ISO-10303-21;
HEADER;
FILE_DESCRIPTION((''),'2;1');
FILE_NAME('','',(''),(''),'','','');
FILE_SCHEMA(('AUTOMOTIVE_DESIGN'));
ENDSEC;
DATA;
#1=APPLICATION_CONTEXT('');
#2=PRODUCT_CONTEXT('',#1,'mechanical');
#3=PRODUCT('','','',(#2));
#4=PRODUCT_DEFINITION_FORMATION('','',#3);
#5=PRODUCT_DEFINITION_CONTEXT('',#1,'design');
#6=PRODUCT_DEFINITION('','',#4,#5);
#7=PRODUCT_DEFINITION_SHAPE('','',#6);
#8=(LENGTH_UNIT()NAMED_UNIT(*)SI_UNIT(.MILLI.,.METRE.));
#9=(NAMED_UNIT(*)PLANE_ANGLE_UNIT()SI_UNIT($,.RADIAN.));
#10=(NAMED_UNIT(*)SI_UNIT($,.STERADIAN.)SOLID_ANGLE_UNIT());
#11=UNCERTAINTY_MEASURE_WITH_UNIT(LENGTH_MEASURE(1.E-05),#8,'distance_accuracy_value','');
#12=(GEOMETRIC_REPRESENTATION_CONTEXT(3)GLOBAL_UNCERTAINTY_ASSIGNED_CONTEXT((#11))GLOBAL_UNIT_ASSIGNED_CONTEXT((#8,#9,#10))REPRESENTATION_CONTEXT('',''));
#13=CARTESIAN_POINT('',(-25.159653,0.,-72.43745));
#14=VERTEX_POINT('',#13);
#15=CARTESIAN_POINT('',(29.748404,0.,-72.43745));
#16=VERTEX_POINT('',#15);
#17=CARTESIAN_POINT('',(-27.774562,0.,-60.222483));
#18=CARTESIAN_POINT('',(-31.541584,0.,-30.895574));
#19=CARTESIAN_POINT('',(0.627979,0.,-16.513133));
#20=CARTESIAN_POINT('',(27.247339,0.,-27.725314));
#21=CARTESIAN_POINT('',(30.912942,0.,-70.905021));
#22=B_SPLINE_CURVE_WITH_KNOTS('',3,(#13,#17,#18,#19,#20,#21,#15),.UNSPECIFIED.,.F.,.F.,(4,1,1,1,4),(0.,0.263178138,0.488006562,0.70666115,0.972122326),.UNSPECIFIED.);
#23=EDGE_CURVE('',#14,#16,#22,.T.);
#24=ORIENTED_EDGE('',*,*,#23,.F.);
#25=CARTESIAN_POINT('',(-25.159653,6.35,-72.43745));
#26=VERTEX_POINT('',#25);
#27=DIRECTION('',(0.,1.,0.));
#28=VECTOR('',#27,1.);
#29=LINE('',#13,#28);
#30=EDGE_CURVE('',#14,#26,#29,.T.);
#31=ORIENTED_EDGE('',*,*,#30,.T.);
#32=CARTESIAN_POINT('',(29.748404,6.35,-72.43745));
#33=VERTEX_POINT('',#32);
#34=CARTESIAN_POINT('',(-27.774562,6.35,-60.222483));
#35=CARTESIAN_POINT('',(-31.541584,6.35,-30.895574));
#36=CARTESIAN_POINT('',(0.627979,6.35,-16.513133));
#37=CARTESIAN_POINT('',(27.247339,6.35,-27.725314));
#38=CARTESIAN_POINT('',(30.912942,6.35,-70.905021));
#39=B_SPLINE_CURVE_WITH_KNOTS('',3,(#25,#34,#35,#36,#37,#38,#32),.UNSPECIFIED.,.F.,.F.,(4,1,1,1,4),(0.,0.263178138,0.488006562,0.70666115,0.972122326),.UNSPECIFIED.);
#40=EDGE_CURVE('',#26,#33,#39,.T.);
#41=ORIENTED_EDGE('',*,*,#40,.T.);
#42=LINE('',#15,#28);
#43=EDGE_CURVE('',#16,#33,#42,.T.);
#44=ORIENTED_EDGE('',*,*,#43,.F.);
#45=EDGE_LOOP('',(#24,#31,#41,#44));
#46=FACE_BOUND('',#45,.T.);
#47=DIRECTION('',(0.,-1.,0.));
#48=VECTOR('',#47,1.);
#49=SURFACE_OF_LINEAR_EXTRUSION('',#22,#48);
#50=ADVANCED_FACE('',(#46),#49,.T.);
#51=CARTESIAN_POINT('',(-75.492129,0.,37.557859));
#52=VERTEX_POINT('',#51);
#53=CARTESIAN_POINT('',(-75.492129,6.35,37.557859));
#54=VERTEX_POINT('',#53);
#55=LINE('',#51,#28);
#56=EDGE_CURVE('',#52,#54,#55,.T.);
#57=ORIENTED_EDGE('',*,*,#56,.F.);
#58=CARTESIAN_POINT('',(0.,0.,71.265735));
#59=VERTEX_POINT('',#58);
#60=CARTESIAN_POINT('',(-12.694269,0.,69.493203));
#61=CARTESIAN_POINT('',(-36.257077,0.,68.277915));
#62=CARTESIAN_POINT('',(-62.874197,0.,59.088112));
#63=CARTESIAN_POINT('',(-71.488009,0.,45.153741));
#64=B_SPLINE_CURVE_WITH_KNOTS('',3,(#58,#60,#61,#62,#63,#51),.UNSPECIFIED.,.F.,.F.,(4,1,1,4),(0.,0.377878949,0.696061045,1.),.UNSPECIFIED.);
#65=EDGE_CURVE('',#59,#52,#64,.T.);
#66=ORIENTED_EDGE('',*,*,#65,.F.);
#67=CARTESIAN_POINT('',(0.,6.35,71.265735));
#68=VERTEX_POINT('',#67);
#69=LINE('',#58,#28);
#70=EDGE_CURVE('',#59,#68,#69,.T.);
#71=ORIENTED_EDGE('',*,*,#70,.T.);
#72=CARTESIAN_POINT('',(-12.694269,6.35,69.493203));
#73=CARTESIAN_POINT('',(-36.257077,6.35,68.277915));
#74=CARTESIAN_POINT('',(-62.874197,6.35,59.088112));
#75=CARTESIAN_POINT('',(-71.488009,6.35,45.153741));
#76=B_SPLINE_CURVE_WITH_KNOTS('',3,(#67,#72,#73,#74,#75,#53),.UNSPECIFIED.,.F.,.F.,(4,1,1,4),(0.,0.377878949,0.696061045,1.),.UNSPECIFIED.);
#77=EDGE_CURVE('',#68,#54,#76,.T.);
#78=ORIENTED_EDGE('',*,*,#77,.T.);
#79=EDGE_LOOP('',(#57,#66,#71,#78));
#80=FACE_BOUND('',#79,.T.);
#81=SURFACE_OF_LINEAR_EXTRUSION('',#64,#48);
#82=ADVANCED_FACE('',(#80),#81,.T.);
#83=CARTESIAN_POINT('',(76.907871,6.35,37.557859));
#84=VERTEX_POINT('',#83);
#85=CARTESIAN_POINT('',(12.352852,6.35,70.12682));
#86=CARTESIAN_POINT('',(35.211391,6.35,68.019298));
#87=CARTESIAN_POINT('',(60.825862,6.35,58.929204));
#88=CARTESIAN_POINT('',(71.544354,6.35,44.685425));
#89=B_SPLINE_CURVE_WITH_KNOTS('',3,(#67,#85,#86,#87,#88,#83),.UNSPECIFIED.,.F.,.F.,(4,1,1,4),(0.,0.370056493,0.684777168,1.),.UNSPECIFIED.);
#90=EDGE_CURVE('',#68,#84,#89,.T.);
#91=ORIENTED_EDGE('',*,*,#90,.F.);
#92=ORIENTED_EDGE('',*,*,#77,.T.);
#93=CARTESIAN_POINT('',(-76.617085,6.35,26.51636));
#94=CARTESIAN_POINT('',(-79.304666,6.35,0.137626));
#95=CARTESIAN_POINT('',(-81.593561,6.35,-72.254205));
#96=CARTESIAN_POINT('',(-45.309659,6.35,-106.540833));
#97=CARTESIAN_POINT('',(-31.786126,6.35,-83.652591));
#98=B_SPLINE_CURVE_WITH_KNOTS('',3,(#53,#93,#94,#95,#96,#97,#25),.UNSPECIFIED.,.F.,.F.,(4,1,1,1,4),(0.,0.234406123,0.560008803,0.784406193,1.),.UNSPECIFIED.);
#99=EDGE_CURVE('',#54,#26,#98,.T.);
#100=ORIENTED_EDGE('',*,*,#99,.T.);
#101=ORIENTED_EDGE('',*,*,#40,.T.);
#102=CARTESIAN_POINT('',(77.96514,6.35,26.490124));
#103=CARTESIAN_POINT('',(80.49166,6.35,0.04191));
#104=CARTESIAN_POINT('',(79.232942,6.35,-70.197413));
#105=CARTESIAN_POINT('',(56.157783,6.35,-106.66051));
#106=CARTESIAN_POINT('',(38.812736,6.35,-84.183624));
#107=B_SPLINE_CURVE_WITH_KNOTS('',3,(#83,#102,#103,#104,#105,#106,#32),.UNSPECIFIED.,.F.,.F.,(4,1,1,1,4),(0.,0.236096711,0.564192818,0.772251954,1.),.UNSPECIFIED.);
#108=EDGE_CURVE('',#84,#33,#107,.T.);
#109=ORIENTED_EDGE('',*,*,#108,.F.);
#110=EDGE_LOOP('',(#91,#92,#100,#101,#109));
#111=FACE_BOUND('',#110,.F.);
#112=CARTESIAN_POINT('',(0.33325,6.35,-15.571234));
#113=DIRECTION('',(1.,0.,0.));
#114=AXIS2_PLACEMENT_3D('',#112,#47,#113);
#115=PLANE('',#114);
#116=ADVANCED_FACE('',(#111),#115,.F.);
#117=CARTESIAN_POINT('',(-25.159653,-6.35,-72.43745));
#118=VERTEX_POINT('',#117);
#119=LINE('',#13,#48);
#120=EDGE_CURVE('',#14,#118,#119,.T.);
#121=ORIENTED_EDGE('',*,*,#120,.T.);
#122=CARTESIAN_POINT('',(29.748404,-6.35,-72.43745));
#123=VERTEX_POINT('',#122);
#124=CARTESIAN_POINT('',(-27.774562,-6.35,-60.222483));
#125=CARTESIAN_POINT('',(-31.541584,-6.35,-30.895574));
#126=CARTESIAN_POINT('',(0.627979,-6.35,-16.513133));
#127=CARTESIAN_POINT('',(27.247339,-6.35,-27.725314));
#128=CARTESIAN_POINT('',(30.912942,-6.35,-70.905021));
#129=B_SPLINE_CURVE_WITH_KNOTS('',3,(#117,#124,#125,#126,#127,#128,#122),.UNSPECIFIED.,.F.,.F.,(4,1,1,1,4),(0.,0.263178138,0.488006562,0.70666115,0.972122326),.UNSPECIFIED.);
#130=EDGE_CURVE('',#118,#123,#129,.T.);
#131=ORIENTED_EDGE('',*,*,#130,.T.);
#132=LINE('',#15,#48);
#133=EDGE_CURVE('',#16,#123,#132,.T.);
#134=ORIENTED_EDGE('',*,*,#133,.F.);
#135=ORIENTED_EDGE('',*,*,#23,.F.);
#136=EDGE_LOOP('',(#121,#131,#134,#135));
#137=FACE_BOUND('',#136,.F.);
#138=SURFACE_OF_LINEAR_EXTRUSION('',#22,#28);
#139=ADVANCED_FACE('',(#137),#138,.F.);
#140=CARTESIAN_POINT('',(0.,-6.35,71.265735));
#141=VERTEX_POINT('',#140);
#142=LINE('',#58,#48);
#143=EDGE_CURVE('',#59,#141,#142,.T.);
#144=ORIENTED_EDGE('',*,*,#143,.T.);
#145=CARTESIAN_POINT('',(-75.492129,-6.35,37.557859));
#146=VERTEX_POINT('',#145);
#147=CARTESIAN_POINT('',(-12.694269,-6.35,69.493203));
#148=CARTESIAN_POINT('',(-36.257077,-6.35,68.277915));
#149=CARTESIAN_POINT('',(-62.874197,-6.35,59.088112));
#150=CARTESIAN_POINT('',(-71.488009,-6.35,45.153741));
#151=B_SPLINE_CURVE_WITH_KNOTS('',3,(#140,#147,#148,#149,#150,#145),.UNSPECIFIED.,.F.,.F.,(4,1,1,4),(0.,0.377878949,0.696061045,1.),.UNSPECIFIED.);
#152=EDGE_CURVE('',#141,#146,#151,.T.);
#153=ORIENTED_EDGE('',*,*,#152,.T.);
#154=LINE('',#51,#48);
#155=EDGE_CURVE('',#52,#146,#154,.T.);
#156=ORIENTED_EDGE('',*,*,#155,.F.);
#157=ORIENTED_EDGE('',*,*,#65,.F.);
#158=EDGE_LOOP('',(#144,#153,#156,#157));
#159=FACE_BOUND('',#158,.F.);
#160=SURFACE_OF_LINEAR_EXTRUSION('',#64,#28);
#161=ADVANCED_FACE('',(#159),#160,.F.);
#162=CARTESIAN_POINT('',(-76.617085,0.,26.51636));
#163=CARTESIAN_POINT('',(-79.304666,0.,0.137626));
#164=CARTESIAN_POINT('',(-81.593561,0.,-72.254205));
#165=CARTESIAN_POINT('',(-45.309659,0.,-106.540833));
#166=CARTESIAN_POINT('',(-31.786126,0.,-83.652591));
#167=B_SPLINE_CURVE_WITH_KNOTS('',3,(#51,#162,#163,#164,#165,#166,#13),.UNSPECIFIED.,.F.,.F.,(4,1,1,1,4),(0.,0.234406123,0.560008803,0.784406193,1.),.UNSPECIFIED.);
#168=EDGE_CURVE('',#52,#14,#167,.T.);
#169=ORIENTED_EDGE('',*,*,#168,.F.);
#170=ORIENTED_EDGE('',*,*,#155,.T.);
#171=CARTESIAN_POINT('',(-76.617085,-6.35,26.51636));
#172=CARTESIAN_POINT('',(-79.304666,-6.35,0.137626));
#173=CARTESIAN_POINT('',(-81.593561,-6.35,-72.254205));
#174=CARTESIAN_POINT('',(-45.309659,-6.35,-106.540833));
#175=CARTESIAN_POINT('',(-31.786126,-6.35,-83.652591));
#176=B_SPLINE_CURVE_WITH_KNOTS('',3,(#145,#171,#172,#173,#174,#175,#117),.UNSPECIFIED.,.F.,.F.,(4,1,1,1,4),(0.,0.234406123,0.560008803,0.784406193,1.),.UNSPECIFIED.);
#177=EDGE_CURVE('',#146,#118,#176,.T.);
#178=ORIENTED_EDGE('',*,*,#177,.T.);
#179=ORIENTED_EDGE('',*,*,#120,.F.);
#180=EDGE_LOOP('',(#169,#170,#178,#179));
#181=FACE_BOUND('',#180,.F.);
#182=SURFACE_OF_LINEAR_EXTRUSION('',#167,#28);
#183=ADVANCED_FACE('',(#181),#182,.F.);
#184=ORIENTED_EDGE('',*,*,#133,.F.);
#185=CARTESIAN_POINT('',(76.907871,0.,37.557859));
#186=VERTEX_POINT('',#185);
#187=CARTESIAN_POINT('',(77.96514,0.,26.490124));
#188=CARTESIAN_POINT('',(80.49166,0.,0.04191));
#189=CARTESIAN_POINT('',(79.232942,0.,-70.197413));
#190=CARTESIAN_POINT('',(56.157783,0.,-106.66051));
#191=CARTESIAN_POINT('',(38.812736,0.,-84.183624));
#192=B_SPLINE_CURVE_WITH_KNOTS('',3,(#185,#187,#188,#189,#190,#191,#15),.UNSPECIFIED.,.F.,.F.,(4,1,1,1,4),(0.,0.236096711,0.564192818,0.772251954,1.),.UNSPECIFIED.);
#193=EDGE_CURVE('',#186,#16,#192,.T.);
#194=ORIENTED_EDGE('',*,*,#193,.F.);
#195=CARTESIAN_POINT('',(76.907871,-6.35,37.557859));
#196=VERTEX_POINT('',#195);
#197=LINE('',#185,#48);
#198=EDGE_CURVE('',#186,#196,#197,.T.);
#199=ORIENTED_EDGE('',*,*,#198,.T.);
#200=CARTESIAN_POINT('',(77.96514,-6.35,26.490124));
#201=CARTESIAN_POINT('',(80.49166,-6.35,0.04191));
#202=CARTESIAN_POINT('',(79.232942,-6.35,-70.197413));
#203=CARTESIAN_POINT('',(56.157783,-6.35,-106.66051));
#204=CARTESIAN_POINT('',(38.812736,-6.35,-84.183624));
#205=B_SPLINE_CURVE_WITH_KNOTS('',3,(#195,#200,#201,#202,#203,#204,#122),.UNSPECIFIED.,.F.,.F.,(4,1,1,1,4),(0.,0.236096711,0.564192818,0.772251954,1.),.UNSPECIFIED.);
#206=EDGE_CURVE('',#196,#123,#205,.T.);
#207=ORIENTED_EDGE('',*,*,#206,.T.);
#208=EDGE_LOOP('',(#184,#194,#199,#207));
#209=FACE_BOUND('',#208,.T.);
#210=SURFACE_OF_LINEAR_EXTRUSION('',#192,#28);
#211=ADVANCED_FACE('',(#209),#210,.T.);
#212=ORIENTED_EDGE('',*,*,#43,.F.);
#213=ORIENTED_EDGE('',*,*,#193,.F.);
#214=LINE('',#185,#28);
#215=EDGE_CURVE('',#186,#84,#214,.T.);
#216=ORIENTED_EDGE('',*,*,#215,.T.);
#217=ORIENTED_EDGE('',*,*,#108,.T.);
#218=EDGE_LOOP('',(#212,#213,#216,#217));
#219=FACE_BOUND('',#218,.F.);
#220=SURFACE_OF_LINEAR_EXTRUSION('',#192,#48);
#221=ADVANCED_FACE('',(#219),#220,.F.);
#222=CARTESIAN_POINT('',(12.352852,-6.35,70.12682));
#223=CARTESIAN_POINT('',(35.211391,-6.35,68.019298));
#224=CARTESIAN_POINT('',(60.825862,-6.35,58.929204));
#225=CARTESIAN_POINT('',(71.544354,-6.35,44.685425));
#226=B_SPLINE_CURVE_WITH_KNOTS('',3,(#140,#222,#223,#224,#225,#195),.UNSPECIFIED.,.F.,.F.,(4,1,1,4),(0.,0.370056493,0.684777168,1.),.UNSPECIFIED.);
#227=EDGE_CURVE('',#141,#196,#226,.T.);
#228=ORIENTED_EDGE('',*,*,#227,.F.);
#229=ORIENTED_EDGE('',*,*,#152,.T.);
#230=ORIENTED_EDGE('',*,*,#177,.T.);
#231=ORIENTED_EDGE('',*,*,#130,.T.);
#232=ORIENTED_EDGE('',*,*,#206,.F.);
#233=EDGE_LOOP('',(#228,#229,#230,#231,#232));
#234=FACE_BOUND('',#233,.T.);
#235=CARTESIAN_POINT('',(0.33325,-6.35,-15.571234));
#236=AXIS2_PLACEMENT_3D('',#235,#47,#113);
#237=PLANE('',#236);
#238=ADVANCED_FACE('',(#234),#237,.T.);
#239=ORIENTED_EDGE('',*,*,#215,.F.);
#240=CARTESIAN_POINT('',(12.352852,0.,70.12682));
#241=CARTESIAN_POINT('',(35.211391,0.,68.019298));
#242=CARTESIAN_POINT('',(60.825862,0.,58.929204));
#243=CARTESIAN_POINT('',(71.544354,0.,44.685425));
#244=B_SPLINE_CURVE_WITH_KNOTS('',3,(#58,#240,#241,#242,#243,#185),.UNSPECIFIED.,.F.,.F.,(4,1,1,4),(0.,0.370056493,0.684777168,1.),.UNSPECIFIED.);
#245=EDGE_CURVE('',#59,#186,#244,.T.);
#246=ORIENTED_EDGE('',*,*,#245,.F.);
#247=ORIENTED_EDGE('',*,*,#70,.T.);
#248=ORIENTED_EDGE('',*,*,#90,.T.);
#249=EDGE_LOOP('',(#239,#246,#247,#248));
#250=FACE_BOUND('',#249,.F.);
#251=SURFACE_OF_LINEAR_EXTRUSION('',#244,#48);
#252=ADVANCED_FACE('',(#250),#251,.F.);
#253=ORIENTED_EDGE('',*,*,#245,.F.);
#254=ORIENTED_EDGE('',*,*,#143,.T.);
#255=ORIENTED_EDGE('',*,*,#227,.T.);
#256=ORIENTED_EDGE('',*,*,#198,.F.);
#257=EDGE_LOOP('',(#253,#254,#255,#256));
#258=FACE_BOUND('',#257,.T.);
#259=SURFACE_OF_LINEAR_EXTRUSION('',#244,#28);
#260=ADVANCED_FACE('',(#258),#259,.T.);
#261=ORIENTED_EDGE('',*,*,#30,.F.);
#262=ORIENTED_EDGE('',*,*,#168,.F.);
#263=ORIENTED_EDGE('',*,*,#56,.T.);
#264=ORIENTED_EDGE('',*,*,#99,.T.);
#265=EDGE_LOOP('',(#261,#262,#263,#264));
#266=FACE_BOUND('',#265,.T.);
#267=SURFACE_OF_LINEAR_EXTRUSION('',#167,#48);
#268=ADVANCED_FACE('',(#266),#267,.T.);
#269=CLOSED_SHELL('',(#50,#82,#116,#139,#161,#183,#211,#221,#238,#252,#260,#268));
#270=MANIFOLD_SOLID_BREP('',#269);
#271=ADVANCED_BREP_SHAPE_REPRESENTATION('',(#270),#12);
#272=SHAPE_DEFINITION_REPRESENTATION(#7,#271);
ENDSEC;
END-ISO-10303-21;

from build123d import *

# Parameters (mm, degrees)
F1_DEPTH = 6.35


with BuildPart() as f1:
    # F0 (on Front) → F1 (new body, symmetric)
    with BuildSketch(Plane.XZ):
        with BuildLine():
            add(Edge.make_bspline(
                [(-75.4921287298, 37.5578589737), (-76.6170850867, 26.516359751), (-79.3046661768, 0.1376257352), (-81.593561187, -72.25420499), (-45.3096589694, -106.5408329997), (-31.7861264568, -83.652591086), (-25.1596532762, -72.4374502897)],
                knots=[0, 0, 0, 0, 0.2344061229, 0.5600088033, 0.7844061926, 1, 1, 1, 1], degree=3))
            add(Edge.make_bspline(
                [(-25.1596532762, -72.4374502897), (-27.77456204, -60.2224833855), (-31.541583875, -30.8955744763), (0.6279793592, -16.5131330508), (27.2473390153, -27.7253136549), (30.9129416013, -70.9050207805), (29.7484043986, -72.4374502897)],
                knots=[0, 0, 0, 0, 0.2631781381, 0.4880065616, 0.7066611501, 0.9721223261, 0.9721223261, 0.9721223261, 0.9721223261], degree=3))
            add(Edge.make_bspline(
                [(76.9078712702, 37.5578589737), (77.9651395469, 26.49012432), (80.4916599964, 0.041910043), (79.2329421017, -70.1974133528), (56.1577827004, -106.6605096403), (38.8127355164, -84.1836238753), (29.7484043986, -72.4374502897)],
                knots=[0, 0, 0, 0, 0.2360967112, 0.5641928183, 0.7722519543, 1, 1, 1, 1], degree=3))
            add(Edge.make_bspline(
                [(0, 71.2657347322), (12.3528519136, 70.1268204318), (35.2113913621, 68.0192975987), (60.8258622585, 58.9292038504), (71.5443535326, 44.685425389), (76.9078712702, 37.5578589737)],
                knots=[0, 0, 0, 0, 0.3700564934, 0.6847771683, 1, 1, 1, 1], degree=3))
            add(Edge.make_bspline(
                [(0, 71.2657347322), (-12.6942690053, 69.4932034843), (-36.2570772434, 68.2779147784), (-62.8741972953, 59.0881116504), (-71.4880085988, 45.15374106), (-75.4921287298, 37.5578589737)],
                knots=[0, 0, 0, 0, 0.3778789493, 0.696061045, 1, 1, 1, 1], degree=3))
        make_face()
    extrude(amount=F1_DEPTH, both=True)


solid = f1.part
